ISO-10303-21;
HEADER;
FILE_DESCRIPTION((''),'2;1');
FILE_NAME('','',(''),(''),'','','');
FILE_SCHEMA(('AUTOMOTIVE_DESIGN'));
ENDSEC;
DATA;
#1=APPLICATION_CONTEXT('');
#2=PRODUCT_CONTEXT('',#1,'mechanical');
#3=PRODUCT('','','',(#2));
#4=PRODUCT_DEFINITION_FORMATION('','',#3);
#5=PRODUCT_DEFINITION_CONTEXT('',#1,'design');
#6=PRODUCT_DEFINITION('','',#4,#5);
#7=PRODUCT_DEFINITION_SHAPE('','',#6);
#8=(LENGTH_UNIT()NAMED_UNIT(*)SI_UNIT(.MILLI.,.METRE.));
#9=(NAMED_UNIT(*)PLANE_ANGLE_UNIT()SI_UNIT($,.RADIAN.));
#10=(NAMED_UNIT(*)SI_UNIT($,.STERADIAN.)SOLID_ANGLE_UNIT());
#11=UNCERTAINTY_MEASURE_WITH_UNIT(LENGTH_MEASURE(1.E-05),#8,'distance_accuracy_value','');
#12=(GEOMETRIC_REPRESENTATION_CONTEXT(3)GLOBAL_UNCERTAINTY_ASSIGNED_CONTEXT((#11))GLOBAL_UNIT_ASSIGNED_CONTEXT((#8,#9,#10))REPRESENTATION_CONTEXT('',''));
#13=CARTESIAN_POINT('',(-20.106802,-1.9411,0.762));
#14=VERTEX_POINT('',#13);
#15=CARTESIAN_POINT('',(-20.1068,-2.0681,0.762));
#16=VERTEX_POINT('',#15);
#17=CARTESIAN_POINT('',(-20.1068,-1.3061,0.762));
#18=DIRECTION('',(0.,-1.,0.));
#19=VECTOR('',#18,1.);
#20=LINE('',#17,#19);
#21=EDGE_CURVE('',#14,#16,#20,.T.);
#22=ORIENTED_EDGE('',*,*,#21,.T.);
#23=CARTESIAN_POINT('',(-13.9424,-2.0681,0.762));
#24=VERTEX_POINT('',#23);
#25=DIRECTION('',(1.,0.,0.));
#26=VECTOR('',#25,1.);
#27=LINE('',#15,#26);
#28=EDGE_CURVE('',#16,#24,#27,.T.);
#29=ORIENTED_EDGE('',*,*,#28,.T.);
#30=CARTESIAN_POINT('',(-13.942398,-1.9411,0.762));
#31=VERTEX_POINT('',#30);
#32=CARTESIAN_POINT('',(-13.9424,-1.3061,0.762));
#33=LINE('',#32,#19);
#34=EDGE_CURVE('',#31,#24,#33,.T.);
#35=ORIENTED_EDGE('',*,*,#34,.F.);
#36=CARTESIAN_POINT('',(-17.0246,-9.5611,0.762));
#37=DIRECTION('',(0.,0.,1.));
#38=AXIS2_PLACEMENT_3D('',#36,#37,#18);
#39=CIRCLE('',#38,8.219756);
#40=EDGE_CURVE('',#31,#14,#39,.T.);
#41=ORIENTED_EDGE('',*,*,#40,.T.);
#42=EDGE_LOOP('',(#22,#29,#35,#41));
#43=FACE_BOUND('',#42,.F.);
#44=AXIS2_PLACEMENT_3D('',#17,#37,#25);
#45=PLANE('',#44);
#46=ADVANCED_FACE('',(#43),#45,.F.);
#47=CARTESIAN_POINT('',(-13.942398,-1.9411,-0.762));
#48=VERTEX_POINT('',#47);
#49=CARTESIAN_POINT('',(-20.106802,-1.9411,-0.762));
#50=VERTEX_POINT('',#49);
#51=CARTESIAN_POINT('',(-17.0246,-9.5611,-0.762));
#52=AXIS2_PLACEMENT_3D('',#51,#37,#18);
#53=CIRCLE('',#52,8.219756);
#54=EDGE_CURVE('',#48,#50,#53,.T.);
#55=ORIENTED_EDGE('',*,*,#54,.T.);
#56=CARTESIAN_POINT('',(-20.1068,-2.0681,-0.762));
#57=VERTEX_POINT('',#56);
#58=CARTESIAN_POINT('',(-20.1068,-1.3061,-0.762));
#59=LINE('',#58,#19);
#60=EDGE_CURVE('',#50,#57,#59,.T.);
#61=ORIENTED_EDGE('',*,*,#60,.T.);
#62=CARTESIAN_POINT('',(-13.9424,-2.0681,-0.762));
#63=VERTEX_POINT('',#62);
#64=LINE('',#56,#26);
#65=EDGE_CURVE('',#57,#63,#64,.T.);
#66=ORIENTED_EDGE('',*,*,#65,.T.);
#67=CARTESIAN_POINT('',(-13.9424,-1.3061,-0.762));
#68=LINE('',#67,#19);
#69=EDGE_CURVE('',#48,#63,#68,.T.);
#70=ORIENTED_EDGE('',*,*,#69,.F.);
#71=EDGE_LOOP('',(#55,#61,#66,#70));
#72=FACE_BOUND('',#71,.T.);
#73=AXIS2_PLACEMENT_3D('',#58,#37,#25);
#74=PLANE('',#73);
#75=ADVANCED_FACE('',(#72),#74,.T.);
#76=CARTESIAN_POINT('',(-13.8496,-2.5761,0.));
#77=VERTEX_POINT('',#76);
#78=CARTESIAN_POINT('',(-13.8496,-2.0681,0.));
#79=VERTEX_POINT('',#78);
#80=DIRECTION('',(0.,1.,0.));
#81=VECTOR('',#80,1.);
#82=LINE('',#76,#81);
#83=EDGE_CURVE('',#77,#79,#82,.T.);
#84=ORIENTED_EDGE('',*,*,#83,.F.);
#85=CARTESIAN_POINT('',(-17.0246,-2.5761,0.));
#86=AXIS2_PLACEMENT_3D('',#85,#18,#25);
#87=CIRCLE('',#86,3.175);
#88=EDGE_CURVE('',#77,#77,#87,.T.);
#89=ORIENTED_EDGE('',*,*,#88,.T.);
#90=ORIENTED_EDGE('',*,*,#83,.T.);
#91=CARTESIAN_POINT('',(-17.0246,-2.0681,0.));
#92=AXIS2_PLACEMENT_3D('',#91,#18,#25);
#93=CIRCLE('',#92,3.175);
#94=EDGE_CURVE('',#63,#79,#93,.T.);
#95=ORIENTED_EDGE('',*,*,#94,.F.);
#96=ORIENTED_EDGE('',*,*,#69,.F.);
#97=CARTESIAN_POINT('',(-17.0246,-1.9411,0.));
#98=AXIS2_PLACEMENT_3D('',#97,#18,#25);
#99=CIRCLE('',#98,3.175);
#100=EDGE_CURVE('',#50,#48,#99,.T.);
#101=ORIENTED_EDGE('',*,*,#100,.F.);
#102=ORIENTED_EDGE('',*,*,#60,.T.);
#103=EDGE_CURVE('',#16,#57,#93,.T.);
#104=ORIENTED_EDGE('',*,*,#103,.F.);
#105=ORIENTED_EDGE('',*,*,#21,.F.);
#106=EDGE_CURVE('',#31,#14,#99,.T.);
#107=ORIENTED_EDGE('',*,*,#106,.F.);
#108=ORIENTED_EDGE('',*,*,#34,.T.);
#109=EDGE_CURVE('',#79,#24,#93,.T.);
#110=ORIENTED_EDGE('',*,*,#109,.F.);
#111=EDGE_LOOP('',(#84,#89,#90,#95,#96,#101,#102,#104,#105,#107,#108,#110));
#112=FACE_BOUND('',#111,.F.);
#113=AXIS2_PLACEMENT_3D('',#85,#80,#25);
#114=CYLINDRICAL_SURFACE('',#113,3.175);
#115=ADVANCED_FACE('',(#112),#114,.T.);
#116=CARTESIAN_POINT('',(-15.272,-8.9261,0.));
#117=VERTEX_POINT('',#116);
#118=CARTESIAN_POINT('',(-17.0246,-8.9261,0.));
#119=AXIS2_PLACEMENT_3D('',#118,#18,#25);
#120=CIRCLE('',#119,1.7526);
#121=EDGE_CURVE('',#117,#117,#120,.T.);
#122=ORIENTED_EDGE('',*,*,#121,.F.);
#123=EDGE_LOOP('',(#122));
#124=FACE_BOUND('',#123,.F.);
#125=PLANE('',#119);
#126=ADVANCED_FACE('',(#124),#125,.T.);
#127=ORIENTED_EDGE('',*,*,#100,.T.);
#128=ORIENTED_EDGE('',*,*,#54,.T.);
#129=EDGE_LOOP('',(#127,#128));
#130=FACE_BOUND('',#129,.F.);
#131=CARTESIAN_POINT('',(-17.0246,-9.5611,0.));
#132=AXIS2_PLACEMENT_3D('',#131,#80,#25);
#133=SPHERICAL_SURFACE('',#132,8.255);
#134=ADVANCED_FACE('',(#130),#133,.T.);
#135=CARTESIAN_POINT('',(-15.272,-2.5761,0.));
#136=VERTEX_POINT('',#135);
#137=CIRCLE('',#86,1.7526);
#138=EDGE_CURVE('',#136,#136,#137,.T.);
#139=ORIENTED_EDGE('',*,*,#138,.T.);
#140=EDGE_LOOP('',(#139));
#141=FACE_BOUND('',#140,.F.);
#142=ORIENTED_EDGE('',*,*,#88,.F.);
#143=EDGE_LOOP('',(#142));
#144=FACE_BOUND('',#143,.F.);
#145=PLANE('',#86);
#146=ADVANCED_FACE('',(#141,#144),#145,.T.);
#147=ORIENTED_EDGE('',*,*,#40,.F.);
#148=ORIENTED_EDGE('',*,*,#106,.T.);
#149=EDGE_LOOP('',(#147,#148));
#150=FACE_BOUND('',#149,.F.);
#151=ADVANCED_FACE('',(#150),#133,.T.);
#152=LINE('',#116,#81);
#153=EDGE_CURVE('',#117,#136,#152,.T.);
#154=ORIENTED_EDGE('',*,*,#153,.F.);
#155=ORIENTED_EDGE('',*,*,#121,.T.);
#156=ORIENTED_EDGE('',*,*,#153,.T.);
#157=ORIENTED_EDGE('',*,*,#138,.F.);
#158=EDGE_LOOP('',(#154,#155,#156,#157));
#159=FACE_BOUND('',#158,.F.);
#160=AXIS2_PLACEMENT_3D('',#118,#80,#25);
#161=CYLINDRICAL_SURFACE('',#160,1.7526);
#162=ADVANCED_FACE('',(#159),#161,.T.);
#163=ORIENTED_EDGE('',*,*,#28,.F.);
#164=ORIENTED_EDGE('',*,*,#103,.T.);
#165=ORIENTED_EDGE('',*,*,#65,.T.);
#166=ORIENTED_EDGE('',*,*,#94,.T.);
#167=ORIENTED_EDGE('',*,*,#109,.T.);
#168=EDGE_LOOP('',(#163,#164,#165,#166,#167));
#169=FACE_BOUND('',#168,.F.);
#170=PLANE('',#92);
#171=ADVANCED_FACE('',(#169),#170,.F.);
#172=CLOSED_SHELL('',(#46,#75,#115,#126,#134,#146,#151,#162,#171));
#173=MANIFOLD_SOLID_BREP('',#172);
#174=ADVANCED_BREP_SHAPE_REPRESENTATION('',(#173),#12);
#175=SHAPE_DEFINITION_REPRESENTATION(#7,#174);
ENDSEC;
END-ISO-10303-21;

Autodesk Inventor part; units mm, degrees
ref_plane "YZ Plane" through (0, 0, 0) normal (1, 0, 0) x (0, 1, 0)
ref_plane "XZ Plane" through (0, 0, 0) normal (0, 1, 0) x (-1, 0, 0)
ref_plane "XY Plane" through (0, 0, 0) normal (0, 0, 1) x (1, 0, 0)
sketch "Sketch1" plane through (0, 0, 0) normal (0, 0, 1) x (1, 0, 0)
  line L0 (-17.0246, -1.3061) -> (-17.0246, -8.9261)
  line L1 (-17.0246, -8.9261) -> (-15.272, -8.9261)
  line L2 (-15.272, -8.9261) -> (-15.272, -2.5761)
  line L3 (-15.272, -2.5761) -> (-13.8496, -2.5761)
  line L4 (-13.8496, -2.5761) -> (-13.8496, -1.9411)
  arc A0 (-13.8496, -1.9411) -> (-17.0246, -1.3061) centre (-17.0246, -9.5611) ccw
  dimension "length" = 6.35
  dimension "d1" = 0.635
  dimension "d2" = 1.27
  dimension "d3" = 1.7526
  dimension "d4" = 3.175
revolve "Revolution1" add sketch "Sketch1" angle 360 about axis through (-17.0246, -1.3061, 0) along (0, -1, 0)
ref_plane "Work Plane1" through (-17.0246, -1.3061, 0) normal (0, -1, 0) x (1, 0, 0)
sketch "Sketch2" plane through (-17.0246, -1.3061, 0) normal (0, -1, 0) x (1, 0, 0)
  line L0 (-3.0822, -0.762) -> (3.0822, -0.762)
  circle A0 centre (0, 0) radius 0.762 construction
  circle A1 centre (0, 0) radius 3.175 projected
  line L1 (-3.0822, 0.762) -> (3.0822, 0.762)
  dimension "d8" = 1.524
extrude "Extrusion1" cut sketch "Sketch2" along normal blind 0.762 contours A1 L1 L0
thread "Thread1" size "6-32 UNC" class "2A" standard "ANSI Unified Screw Threads" full length
properties part number "6-32bolt" material "Brass, Soft Yellow"
